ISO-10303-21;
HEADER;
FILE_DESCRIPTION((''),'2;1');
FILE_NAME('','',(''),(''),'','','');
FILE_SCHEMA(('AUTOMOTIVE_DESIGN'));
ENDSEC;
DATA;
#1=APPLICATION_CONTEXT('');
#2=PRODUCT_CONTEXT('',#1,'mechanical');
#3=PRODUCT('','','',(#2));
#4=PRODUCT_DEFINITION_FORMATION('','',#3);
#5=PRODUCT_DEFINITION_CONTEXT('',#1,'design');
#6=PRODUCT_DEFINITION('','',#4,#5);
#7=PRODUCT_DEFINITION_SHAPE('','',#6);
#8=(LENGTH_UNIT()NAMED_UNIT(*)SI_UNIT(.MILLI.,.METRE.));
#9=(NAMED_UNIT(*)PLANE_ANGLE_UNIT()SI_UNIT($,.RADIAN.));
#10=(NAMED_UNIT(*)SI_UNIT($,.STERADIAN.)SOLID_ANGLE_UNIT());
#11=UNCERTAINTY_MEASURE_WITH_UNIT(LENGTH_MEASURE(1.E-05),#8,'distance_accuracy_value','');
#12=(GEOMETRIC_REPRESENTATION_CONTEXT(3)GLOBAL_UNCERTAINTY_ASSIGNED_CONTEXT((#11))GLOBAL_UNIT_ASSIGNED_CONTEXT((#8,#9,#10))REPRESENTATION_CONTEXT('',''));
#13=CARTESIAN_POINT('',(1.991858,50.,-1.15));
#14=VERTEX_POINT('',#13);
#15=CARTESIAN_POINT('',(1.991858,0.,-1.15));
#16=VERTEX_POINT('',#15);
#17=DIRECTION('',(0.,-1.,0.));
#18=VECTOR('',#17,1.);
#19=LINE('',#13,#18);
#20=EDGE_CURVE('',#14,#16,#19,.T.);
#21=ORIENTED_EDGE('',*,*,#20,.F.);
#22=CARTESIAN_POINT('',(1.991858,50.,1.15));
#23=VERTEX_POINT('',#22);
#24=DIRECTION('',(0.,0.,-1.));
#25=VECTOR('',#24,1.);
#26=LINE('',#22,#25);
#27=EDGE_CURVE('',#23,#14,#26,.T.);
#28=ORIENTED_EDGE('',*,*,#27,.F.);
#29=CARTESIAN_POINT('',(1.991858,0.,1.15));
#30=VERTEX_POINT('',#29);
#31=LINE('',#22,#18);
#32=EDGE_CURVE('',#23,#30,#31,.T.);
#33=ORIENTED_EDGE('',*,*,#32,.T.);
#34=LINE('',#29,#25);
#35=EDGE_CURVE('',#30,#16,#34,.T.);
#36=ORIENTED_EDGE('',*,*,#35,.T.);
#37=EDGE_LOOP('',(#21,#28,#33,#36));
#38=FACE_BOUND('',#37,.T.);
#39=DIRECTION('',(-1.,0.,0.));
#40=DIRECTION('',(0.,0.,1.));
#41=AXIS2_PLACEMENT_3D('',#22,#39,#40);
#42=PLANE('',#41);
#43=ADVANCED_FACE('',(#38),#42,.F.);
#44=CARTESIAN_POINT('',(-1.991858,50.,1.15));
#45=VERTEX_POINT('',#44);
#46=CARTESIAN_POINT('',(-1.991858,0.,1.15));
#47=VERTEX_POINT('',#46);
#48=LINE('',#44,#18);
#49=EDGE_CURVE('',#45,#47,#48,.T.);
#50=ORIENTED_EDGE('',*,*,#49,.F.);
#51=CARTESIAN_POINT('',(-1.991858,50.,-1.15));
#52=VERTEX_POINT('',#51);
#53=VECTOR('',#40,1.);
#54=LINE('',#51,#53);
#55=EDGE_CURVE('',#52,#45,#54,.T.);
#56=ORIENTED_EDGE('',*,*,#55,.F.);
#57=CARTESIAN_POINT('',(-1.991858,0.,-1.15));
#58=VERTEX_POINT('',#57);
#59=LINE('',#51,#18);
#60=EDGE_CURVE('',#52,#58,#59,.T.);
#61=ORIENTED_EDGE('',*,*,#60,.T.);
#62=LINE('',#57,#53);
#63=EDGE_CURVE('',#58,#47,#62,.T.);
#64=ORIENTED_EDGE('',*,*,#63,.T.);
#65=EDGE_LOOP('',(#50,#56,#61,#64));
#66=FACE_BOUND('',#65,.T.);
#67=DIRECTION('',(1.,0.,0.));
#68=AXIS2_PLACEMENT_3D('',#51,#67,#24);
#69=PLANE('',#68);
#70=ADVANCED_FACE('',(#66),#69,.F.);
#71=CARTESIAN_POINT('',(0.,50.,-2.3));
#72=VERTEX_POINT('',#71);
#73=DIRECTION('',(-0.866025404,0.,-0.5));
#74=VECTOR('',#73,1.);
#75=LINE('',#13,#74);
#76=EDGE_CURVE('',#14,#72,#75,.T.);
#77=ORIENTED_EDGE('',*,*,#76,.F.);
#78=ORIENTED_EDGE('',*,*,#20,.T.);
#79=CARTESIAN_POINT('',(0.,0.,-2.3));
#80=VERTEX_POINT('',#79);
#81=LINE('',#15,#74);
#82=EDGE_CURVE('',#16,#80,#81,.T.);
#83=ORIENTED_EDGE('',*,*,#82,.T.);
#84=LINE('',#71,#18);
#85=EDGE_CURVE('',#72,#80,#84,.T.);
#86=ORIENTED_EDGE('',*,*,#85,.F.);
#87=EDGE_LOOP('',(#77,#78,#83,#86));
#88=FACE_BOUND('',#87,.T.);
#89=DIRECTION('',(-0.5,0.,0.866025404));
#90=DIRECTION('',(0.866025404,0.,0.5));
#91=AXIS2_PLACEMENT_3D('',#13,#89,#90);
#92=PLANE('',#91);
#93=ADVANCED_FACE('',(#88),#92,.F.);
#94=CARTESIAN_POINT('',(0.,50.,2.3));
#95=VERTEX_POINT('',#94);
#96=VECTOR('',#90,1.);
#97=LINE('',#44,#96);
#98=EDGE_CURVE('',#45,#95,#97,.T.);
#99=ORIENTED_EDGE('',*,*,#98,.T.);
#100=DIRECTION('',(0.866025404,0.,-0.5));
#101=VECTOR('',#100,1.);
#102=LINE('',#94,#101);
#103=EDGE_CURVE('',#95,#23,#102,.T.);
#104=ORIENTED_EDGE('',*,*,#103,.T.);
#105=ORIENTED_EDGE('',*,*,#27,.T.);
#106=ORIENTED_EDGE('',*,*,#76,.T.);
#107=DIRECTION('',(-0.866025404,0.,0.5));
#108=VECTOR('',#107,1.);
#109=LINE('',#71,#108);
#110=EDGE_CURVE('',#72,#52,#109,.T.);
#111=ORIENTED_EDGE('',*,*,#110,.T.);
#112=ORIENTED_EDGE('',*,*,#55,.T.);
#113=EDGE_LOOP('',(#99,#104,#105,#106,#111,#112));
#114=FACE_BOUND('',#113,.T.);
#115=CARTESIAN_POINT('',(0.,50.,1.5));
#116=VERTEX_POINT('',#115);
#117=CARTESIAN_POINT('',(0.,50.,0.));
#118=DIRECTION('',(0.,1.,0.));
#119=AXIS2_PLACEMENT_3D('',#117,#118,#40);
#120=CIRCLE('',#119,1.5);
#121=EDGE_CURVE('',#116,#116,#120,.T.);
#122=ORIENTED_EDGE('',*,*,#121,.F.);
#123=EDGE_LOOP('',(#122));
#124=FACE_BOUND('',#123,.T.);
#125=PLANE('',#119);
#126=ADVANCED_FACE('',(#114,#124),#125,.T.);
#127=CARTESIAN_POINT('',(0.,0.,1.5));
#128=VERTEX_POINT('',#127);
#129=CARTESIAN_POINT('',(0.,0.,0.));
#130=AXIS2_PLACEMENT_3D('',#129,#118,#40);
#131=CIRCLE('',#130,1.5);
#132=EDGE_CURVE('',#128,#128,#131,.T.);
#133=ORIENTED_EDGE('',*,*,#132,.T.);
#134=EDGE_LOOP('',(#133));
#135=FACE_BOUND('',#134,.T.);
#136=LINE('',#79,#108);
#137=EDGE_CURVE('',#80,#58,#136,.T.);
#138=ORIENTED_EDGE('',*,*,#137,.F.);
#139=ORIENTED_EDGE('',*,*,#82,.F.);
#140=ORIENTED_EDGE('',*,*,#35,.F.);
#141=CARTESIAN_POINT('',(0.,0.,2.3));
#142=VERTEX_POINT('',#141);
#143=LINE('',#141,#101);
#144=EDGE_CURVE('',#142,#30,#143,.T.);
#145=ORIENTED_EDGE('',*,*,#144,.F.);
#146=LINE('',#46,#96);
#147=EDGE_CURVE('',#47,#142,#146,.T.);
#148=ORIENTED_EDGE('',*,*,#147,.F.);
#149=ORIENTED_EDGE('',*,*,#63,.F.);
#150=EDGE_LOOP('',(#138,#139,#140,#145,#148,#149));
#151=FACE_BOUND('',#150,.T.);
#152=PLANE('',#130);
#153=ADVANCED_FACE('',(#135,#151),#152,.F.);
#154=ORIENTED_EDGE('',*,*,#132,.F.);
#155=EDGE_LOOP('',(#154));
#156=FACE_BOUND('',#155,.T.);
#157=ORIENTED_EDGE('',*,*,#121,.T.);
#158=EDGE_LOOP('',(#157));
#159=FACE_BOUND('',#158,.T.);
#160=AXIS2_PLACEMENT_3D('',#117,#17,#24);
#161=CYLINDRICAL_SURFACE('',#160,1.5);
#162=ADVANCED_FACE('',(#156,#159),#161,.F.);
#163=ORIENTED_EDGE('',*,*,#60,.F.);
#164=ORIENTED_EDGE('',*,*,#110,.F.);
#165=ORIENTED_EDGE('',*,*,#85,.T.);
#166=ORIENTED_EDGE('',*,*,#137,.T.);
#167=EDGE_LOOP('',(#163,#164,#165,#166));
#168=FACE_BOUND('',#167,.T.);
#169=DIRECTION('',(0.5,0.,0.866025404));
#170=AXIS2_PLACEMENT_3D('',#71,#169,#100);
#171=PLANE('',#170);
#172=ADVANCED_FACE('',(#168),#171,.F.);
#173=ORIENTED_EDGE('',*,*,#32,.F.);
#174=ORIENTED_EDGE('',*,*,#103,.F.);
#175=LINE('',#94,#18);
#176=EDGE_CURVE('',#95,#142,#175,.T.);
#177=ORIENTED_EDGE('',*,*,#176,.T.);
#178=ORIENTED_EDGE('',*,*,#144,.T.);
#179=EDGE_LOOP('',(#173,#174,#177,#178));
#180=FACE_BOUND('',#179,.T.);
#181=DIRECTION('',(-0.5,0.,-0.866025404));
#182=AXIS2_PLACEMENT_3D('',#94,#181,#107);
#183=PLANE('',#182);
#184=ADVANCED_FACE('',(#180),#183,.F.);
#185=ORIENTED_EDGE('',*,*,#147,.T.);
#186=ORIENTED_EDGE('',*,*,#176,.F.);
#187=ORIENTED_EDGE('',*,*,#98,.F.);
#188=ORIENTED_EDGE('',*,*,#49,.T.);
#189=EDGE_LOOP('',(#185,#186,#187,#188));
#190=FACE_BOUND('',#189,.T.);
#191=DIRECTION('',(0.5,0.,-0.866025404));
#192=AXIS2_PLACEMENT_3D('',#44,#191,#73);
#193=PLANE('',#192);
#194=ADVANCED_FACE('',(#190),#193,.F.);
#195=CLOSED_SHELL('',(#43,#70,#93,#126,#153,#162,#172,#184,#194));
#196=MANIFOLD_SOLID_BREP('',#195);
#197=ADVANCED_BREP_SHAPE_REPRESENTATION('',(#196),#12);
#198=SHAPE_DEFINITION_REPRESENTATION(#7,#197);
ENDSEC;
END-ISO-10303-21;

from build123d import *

# Parameters (mm, degrees)
SKETCH_1_R      = 1.5
EXTRUDE_1_DEPTH = 50


with BuildPart() as part:
    # 草图1 → 凸台-拉伸1 (new body)
    with BuildSketch(Plane(origin=(0, 0, 0), x_dir=(1, 0, 0), z_dir=(0, 1, 0))):
        Polygon((0, 2.3), (-1.991858429, 1.15), (-1.991858429, -1.15), (0, -2.3), (1.991858429, -1.15), (1.991858429, 1.15), align=None)
        with Locations(Location((0, 0, 0), (0, 0, 270))):
            Circle(SKETCH_1_R, mode=Mode.SUBTRACT)
    extrude(amount=EXTRUDE_1_DEPTH)


solid = part.part
